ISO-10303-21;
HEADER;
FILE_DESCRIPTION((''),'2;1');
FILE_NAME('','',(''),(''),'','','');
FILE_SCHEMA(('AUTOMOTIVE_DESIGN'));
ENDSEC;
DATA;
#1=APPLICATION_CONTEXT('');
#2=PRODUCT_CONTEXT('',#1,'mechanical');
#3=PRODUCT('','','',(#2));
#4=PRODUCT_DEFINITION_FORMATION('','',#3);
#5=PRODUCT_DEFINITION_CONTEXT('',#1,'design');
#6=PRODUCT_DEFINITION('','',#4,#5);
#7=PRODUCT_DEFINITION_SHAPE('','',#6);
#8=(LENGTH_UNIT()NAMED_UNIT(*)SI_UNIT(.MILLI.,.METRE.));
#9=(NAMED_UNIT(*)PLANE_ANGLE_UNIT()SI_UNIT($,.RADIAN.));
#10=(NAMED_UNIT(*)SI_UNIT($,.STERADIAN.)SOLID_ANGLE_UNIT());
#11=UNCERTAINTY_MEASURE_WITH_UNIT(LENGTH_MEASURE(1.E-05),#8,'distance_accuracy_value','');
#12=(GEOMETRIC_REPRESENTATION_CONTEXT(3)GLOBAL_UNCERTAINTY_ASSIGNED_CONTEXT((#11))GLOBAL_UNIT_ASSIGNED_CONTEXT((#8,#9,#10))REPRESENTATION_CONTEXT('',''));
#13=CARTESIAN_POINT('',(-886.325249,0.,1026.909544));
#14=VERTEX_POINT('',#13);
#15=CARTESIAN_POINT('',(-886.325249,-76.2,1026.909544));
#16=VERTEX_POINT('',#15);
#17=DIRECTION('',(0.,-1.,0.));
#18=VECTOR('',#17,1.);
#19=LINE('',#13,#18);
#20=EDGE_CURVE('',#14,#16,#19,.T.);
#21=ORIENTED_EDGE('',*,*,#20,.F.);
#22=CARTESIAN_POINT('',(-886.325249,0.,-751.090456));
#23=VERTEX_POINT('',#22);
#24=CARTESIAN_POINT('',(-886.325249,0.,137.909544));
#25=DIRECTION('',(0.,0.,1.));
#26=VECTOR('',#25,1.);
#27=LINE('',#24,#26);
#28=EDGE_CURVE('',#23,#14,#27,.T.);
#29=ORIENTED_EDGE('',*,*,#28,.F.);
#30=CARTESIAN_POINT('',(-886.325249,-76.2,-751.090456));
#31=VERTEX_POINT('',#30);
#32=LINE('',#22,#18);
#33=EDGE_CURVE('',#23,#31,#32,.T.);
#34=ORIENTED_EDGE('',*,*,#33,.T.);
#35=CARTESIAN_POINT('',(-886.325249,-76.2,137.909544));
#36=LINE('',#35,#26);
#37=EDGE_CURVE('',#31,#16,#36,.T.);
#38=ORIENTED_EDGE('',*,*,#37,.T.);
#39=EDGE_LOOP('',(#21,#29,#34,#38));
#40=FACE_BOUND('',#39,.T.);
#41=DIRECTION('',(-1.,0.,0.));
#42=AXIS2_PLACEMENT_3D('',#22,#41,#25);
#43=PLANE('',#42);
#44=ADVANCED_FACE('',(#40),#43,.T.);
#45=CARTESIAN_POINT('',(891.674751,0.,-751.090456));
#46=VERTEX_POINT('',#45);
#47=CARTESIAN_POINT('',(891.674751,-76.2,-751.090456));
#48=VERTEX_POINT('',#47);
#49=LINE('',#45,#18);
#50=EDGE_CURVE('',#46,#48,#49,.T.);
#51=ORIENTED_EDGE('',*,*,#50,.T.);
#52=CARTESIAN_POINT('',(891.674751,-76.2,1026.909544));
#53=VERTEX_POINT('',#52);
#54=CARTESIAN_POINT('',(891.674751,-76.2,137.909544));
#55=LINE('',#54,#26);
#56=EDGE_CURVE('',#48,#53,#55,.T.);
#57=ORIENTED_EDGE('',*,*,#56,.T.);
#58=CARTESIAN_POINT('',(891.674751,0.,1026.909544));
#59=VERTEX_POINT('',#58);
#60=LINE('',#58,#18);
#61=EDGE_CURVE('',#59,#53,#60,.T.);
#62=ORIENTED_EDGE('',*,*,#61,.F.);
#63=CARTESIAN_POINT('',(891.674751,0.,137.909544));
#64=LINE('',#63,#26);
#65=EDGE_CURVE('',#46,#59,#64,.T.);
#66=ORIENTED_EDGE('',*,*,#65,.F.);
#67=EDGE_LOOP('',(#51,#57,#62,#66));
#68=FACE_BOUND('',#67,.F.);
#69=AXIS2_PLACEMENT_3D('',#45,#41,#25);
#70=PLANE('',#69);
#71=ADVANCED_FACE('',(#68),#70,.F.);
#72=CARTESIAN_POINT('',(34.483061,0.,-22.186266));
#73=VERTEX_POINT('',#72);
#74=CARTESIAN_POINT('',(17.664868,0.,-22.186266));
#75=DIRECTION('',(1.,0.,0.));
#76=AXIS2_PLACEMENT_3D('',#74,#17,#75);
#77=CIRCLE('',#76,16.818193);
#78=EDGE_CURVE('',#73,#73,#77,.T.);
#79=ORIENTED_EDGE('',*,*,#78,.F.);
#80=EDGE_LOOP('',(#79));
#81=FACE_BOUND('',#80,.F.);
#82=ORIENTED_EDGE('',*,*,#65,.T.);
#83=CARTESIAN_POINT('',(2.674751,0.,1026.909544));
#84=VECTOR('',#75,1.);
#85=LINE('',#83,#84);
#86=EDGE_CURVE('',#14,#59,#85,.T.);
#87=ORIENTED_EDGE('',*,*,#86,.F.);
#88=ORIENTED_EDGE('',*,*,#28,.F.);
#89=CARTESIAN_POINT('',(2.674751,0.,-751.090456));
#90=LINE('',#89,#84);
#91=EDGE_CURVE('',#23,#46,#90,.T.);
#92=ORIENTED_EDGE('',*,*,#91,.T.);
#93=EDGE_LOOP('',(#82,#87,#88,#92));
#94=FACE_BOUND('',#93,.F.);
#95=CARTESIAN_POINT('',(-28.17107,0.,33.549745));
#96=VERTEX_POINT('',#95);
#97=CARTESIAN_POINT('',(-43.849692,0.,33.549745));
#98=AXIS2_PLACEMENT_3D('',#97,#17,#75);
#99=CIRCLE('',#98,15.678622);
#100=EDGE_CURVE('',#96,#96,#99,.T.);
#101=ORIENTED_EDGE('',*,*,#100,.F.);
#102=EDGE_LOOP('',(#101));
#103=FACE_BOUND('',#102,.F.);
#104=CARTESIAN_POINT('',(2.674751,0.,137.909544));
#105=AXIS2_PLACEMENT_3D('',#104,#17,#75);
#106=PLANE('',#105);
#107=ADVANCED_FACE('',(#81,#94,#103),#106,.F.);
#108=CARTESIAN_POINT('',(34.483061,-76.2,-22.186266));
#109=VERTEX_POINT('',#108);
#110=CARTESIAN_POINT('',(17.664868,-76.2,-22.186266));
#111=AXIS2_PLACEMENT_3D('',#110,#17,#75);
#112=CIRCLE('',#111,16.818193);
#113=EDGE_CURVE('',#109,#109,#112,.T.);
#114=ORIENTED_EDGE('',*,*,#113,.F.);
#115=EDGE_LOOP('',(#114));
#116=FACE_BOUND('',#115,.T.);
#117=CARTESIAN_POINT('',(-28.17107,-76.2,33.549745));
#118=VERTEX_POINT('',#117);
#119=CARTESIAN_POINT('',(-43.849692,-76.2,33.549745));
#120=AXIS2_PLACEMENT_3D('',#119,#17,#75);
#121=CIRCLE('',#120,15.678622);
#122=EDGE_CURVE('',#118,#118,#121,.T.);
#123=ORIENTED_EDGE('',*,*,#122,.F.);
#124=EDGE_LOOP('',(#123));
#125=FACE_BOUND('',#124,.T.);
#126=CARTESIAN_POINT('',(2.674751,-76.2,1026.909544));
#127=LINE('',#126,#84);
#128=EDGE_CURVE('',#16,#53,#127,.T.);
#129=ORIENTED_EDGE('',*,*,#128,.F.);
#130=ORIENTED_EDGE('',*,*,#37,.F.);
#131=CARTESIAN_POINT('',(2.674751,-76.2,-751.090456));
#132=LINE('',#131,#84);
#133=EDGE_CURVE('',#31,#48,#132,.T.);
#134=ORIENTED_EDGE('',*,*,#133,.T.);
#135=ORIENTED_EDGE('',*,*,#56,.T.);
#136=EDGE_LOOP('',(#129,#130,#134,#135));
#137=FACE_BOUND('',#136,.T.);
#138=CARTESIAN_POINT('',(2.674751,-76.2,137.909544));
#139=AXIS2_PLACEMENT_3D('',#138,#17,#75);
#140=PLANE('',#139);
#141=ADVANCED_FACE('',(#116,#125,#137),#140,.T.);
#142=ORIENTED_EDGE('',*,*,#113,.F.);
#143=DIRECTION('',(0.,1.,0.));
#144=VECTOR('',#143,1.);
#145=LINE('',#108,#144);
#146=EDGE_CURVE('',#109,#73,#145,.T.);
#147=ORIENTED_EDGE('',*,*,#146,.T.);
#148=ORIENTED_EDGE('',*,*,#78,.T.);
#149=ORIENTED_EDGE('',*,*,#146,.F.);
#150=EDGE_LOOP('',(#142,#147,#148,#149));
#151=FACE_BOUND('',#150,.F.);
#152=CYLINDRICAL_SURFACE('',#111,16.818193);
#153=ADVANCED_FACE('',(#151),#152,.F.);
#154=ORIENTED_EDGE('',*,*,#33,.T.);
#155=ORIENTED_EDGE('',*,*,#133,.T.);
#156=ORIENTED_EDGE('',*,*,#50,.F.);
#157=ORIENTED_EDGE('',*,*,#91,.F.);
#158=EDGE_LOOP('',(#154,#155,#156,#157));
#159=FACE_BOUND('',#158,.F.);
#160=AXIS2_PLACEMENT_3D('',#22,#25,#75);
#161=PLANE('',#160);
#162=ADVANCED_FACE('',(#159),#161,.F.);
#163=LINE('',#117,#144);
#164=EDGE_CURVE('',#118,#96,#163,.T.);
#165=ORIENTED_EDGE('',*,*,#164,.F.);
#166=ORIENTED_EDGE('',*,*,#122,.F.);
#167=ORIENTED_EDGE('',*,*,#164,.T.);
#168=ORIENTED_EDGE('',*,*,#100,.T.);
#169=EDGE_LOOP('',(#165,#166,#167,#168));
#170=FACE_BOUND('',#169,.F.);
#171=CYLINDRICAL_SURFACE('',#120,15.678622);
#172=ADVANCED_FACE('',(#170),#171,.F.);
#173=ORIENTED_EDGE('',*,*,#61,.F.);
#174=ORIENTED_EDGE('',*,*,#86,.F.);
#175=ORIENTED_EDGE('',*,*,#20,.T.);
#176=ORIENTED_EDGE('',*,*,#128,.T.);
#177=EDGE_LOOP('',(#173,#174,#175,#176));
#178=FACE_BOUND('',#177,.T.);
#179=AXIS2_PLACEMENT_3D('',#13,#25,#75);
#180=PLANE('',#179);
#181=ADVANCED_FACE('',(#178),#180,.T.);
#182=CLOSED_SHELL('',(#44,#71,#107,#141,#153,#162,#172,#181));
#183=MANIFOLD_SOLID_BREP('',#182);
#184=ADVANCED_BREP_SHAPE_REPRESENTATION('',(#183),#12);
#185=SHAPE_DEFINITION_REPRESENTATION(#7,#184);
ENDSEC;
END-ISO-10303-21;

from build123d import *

# Parameters (mm, degrees)
F0_W     = 1778
F0_H     = 1778
F1_DEPTH = 76.2
F2_R     = 15.678622
F2_R_2   = 16.818193
F3_DEPTH = 76.2


with BuildPart() as f1:
    # F0 (on Front) → F1 (new body)
    with BuildSketch(Plane.XZ):
        with Locations((2.674751, 137.909544)):
            Rectangle(F0_W, F0_H)
    extrude(amount=F1_DEPTH)

    # F2 (on face) → F3 (cut, through all)
    with BuildSketch(Plane.XZ.offset(76.2)):
        with Locations((-43.849692, 33.549745)):
            Circle(F2_R)
        with Locations((17.664868, -22.186266)):
            Circle(F2_R_2)
    extrude(amount=-F3_DEPTH, mode=Mode.SUBTRACT)


solid = f1.part
